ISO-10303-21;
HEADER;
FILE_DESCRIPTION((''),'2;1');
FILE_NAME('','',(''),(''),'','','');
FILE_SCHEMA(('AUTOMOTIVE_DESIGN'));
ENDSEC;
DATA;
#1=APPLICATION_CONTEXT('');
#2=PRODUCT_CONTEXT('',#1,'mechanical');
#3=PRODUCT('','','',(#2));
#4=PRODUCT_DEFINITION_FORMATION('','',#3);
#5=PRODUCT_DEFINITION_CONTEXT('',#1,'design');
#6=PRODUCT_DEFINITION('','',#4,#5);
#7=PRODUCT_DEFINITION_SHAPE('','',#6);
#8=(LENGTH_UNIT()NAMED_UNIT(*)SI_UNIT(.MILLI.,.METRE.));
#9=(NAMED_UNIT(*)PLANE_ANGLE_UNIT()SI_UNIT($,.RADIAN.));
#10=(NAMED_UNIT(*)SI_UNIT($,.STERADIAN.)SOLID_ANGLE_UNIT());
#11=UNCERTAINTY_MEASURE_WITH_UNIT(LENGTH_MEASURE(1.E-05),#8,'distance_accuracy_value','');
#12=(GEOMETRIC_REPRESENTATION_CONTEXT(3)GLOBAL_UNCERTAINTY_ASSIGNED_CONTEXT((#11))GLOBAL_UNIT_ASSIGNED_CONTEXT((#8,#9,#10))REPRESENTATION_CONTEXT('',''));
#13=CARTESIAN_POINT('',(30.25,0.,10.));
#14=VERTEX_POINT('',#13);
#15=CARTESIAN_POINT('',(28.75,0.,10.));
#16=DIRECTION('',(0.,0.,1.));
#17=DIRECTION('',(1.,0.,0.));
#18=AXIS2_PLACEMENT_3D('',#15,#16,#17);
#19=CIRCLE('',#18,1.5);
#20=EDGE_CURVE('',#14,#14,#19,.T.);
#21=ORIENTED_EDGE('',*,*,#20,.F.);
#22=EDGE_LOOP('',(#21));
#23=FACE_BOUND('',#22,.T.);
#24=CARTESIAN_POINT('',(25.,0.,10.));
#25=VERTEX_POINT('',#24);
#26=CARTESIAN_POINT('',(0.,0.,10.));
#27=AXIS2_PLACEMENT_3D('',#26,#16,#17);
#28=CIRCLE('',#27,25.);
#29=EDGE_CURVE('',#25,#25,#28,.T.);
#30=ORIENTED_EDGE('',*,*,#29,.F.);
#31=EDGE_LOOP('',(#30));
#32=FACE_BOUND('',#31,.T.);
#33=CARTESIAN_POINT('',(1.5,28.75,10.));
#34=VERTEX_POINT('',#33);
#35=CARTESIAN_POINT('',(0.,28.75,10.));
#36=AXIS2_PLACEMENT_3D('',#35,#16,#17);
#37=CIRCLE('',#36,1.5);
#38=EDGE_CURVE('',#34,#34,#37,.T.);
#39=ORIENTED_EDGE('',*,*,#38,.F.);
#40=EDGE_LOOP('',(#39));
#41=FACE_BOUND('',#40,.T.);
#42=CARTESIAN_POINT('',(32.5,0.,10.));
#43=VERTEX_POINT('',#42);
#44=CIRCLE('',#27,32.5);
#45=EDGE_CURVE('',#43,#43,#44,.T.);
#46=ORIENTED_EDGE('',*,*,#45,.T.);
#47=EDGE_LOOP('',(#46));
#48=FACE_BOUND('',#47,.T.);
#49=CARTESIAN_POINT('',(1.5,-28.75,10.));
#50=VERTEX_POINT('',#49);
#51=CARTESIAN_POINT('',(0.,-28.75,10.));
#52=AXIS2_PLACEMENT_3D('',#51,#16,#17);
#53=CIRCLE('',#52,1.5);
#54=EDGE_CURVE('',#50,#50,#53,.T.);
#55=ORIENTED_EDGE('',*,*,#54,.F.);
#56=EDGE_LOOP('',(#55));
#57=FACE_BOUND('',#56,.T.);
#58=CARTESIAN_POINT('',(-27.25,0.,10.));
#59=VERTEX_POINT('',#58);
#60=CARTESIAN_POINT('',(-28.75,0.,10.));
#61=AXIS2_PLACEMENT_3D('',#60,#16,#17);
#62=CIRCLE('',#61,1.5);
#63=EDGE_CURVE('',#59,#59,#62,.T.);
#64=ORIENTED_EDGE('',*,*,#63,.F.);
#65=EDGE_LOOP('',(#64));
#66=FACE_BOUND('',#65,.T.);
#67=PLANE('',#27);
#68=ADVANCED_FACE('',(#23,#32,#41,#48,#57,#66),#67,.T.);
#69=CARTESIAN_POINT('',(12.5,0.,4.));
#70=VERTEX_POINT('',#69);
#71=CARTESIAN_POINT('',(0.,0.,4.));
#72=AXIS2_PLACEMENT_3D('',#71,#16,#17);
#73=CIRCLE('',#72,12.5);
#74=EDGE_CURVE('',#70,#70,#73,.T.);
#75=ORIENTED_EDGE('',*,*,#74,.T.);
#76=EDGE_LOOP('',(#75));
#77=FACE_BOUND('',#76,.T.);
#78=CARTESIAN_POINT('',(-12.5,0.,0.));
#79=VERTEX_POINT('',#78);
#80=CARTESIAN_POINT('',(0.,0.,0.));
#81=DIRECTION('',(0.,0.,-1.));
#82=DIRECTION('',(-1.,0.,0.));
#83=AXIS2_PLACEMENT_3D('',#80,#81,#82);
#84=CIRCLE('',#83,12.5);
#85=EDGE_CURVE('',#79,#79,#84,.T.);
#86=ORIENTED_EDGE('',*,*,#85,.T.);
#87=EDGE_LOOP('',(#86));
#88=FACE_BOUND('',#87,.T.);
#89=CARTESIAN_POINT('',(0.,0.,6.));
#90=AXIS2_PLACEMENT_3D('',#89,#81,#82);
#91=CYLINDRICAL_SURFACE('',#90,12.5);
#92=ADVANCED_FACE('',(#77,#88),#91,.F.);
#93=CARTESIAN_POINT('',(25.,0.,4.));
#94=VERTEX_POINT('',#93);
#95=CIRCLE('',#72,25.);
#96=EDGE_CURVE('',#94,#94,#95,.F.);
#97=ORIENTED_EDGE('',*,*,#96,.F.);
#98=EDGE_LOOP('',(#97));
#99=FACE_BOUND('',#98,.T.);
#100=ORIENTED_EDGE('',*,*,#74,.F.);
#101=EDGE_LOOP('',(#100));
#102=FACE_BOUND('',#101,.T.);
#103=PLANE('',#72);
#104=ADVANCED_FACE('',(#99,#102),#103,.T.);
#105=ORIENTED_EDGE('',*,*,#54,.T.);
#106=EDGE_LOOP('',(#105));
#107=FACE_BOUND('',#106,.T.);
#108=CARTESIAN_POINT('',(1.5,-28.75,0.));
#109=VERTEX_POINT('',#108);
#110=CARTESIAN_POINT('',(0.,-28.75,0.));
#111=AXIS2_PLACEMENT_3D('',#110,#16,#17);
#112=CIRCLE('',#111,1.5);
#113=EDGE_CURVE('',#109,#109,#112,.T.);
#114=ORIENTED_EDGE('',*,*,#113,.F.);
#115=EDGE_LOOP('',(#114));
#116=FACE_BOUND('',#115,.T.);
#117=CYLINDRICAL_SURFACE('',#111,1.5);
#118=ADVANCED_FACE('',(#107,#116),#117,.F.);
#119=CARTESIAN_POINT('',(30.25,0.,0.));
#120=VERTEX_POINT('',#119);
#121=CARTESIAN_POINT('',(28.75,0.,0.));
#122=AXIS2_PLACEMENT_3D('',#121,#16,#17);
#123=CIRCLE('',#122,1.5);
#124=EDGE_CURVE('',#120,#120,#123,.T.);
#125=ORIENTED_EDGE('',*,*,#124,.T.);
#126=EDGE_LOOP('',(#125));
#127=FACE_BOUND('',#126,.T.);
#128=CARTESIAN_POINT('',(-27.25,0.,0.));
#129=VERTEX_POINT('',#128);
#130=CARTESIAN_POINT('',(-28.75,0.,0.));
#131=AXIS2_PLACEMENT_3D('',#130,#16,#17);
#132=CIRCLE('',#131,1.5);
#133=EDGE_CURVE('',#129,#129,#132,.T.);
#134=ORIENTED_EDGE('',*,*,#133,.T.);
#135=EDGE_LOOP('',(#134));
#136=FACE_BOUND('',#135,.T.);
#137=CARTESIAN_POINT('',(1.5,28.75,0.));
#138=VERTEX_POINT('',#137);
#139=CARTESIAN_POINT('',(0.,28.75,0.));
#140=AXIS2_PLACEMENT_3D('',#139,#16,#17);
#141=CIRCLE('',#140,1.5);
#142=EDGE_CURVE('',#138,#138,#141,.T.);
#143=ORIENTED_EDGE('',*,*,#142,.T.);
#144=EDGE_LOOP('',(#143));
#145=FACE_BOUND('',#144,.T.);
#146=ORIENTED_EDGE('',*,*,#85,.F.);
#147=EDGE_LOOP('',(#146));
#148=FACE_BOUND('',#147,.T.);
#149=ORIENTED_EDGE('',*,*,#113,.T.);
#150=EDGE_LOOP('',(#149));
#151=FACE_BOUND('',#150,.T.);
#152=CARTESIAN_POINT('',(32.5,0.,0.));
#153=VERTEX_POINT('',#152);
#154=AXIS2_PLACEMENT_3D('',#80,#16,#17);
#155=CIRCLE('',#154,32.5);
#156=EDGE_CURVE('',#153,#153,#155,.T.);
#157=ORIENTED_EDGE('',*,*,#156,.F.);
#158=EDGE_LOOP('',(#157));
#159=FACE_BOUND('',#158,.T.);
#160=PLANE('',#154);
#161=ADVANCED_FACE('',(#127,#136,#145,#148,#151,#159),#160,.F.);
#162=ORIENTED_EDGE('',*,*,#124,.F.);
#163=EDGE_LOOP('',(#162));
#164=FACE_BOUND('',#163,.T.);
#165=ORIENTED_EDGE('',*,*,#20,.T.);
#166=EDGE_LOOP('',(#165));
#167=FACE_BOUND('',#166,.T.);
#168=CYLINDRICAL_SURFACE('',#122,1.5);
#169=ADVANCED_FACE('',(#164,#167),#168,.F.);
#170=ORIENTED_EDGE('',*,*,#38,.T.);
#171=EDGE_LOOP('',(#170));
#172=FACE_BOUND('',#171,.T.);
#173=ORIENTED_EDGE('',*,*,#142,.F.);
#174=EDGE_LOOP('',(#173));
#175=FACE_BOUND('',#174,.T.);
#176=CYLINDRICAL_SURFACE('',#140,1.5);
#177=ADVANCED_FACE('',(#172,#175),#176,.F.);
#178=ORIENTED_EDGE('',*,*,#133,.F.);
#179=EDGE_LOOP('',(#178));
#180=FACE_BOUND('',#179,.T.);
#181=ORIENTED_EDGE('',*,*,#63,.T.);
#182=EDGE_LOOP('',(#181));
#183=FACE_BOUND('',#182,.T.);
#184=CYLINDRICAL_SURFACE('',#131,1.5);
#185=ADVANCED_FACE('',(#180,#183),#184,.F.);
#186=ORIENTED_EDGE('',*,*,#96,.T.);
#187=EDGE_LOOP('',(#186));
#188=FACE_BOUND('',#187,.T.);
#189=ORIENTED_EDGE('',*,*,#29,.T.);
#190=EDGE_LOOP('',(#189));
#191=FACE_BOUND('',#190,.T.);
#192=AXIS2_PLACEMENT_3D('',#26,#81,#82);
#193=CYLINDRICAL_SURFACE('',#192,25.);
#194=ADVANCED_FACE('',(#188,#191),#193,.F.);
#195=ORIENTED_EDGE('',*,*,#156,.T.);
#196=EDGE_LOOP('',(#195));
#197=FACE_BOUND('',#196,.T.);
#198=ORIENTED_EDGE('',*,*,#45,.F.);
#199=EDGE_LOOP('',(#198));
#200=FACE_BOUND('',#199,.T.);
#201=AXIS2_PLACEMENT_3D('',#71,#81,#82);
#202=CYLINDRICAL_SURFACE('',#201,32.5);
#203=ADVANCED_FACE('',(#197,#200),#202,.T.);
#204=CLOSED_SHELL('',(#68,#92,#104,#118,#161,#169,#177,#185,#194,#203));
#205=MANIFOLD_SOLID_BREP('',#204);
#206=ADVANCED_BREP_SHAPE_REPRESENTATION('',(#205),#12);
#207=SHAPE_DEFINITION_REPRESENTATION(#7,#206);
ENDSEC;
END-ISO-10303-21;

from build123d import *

# Parameters (mm, degrees)
ESQUISSE1_R             = 32.5
BOSS_EXTRU_1_DEPTH      = 4
ESQUISSE2_R             = 32.5
ESQUISSE2_R_2           = 25
BOSS_EXTRU_2_DEPTH      = 6
ESQUISSE3_R             = 1.5
ENL_V_MAT_EXTRU_1_DEPTH = 11
ESQUISSE4_R             = 12.5
ENL_V_MAT_EXTRU_2_DEPTH = 6


with BuildPart() as part:
    # Esquisse1 → Boss.-Extru.1 (new body)
    with BuildSketch(Plane.XY):
        Circle(ESQUISSE1_R)
    extrude(amount=BOSS_EXTRU_1_DEPTH)

    # Esquisse2 → Boss.-Extru.2 (add)
    with BuildSketch(Plane.XY.offset(4)):
        Circle(ESQUISSE2_R)
        Circle(ESQUISSE2_R_2, mode=Mode.SUBTRACT)
    extrude(amount=BOSS_EXTRU_2_DEPTH)

    # Esquisse3 → Enlèv. mat.-Extru.1 (cut, through all)
    with BuildSketch(Plane.XY.offset(10)):
        with Locations((0, 28.75)):
            Circle(ESQUISSE3_R)
        with Locations((28.75, 0)):
            Circle(ESQUISSE3_R)
        with Locations((0, -28.75)):
            Circle(ESQUISSE3_R)
        with Locations((-28.75, 0)):
            Circle(ESQUISSE3_R)
    extrude(amount=-ENL_V_MAT_EXTRU_1_DEPTH, mode=Mode.SUBTRACT)

    # Esquisse4 → Enlèv. mat.-Extru.2 (cut)
    with BuildSketch(Plane(origin=(0, 0, 0), x_dir=(-1, 0, 0), z_dir=(0, 0, -1))):
        Circle(ESQUISSE4_R)
    extrude(amount=-ENL_V_MAT_EXTRU_2_DEPTH, mode=Mode.SUBTRACT)


solid = part.part
